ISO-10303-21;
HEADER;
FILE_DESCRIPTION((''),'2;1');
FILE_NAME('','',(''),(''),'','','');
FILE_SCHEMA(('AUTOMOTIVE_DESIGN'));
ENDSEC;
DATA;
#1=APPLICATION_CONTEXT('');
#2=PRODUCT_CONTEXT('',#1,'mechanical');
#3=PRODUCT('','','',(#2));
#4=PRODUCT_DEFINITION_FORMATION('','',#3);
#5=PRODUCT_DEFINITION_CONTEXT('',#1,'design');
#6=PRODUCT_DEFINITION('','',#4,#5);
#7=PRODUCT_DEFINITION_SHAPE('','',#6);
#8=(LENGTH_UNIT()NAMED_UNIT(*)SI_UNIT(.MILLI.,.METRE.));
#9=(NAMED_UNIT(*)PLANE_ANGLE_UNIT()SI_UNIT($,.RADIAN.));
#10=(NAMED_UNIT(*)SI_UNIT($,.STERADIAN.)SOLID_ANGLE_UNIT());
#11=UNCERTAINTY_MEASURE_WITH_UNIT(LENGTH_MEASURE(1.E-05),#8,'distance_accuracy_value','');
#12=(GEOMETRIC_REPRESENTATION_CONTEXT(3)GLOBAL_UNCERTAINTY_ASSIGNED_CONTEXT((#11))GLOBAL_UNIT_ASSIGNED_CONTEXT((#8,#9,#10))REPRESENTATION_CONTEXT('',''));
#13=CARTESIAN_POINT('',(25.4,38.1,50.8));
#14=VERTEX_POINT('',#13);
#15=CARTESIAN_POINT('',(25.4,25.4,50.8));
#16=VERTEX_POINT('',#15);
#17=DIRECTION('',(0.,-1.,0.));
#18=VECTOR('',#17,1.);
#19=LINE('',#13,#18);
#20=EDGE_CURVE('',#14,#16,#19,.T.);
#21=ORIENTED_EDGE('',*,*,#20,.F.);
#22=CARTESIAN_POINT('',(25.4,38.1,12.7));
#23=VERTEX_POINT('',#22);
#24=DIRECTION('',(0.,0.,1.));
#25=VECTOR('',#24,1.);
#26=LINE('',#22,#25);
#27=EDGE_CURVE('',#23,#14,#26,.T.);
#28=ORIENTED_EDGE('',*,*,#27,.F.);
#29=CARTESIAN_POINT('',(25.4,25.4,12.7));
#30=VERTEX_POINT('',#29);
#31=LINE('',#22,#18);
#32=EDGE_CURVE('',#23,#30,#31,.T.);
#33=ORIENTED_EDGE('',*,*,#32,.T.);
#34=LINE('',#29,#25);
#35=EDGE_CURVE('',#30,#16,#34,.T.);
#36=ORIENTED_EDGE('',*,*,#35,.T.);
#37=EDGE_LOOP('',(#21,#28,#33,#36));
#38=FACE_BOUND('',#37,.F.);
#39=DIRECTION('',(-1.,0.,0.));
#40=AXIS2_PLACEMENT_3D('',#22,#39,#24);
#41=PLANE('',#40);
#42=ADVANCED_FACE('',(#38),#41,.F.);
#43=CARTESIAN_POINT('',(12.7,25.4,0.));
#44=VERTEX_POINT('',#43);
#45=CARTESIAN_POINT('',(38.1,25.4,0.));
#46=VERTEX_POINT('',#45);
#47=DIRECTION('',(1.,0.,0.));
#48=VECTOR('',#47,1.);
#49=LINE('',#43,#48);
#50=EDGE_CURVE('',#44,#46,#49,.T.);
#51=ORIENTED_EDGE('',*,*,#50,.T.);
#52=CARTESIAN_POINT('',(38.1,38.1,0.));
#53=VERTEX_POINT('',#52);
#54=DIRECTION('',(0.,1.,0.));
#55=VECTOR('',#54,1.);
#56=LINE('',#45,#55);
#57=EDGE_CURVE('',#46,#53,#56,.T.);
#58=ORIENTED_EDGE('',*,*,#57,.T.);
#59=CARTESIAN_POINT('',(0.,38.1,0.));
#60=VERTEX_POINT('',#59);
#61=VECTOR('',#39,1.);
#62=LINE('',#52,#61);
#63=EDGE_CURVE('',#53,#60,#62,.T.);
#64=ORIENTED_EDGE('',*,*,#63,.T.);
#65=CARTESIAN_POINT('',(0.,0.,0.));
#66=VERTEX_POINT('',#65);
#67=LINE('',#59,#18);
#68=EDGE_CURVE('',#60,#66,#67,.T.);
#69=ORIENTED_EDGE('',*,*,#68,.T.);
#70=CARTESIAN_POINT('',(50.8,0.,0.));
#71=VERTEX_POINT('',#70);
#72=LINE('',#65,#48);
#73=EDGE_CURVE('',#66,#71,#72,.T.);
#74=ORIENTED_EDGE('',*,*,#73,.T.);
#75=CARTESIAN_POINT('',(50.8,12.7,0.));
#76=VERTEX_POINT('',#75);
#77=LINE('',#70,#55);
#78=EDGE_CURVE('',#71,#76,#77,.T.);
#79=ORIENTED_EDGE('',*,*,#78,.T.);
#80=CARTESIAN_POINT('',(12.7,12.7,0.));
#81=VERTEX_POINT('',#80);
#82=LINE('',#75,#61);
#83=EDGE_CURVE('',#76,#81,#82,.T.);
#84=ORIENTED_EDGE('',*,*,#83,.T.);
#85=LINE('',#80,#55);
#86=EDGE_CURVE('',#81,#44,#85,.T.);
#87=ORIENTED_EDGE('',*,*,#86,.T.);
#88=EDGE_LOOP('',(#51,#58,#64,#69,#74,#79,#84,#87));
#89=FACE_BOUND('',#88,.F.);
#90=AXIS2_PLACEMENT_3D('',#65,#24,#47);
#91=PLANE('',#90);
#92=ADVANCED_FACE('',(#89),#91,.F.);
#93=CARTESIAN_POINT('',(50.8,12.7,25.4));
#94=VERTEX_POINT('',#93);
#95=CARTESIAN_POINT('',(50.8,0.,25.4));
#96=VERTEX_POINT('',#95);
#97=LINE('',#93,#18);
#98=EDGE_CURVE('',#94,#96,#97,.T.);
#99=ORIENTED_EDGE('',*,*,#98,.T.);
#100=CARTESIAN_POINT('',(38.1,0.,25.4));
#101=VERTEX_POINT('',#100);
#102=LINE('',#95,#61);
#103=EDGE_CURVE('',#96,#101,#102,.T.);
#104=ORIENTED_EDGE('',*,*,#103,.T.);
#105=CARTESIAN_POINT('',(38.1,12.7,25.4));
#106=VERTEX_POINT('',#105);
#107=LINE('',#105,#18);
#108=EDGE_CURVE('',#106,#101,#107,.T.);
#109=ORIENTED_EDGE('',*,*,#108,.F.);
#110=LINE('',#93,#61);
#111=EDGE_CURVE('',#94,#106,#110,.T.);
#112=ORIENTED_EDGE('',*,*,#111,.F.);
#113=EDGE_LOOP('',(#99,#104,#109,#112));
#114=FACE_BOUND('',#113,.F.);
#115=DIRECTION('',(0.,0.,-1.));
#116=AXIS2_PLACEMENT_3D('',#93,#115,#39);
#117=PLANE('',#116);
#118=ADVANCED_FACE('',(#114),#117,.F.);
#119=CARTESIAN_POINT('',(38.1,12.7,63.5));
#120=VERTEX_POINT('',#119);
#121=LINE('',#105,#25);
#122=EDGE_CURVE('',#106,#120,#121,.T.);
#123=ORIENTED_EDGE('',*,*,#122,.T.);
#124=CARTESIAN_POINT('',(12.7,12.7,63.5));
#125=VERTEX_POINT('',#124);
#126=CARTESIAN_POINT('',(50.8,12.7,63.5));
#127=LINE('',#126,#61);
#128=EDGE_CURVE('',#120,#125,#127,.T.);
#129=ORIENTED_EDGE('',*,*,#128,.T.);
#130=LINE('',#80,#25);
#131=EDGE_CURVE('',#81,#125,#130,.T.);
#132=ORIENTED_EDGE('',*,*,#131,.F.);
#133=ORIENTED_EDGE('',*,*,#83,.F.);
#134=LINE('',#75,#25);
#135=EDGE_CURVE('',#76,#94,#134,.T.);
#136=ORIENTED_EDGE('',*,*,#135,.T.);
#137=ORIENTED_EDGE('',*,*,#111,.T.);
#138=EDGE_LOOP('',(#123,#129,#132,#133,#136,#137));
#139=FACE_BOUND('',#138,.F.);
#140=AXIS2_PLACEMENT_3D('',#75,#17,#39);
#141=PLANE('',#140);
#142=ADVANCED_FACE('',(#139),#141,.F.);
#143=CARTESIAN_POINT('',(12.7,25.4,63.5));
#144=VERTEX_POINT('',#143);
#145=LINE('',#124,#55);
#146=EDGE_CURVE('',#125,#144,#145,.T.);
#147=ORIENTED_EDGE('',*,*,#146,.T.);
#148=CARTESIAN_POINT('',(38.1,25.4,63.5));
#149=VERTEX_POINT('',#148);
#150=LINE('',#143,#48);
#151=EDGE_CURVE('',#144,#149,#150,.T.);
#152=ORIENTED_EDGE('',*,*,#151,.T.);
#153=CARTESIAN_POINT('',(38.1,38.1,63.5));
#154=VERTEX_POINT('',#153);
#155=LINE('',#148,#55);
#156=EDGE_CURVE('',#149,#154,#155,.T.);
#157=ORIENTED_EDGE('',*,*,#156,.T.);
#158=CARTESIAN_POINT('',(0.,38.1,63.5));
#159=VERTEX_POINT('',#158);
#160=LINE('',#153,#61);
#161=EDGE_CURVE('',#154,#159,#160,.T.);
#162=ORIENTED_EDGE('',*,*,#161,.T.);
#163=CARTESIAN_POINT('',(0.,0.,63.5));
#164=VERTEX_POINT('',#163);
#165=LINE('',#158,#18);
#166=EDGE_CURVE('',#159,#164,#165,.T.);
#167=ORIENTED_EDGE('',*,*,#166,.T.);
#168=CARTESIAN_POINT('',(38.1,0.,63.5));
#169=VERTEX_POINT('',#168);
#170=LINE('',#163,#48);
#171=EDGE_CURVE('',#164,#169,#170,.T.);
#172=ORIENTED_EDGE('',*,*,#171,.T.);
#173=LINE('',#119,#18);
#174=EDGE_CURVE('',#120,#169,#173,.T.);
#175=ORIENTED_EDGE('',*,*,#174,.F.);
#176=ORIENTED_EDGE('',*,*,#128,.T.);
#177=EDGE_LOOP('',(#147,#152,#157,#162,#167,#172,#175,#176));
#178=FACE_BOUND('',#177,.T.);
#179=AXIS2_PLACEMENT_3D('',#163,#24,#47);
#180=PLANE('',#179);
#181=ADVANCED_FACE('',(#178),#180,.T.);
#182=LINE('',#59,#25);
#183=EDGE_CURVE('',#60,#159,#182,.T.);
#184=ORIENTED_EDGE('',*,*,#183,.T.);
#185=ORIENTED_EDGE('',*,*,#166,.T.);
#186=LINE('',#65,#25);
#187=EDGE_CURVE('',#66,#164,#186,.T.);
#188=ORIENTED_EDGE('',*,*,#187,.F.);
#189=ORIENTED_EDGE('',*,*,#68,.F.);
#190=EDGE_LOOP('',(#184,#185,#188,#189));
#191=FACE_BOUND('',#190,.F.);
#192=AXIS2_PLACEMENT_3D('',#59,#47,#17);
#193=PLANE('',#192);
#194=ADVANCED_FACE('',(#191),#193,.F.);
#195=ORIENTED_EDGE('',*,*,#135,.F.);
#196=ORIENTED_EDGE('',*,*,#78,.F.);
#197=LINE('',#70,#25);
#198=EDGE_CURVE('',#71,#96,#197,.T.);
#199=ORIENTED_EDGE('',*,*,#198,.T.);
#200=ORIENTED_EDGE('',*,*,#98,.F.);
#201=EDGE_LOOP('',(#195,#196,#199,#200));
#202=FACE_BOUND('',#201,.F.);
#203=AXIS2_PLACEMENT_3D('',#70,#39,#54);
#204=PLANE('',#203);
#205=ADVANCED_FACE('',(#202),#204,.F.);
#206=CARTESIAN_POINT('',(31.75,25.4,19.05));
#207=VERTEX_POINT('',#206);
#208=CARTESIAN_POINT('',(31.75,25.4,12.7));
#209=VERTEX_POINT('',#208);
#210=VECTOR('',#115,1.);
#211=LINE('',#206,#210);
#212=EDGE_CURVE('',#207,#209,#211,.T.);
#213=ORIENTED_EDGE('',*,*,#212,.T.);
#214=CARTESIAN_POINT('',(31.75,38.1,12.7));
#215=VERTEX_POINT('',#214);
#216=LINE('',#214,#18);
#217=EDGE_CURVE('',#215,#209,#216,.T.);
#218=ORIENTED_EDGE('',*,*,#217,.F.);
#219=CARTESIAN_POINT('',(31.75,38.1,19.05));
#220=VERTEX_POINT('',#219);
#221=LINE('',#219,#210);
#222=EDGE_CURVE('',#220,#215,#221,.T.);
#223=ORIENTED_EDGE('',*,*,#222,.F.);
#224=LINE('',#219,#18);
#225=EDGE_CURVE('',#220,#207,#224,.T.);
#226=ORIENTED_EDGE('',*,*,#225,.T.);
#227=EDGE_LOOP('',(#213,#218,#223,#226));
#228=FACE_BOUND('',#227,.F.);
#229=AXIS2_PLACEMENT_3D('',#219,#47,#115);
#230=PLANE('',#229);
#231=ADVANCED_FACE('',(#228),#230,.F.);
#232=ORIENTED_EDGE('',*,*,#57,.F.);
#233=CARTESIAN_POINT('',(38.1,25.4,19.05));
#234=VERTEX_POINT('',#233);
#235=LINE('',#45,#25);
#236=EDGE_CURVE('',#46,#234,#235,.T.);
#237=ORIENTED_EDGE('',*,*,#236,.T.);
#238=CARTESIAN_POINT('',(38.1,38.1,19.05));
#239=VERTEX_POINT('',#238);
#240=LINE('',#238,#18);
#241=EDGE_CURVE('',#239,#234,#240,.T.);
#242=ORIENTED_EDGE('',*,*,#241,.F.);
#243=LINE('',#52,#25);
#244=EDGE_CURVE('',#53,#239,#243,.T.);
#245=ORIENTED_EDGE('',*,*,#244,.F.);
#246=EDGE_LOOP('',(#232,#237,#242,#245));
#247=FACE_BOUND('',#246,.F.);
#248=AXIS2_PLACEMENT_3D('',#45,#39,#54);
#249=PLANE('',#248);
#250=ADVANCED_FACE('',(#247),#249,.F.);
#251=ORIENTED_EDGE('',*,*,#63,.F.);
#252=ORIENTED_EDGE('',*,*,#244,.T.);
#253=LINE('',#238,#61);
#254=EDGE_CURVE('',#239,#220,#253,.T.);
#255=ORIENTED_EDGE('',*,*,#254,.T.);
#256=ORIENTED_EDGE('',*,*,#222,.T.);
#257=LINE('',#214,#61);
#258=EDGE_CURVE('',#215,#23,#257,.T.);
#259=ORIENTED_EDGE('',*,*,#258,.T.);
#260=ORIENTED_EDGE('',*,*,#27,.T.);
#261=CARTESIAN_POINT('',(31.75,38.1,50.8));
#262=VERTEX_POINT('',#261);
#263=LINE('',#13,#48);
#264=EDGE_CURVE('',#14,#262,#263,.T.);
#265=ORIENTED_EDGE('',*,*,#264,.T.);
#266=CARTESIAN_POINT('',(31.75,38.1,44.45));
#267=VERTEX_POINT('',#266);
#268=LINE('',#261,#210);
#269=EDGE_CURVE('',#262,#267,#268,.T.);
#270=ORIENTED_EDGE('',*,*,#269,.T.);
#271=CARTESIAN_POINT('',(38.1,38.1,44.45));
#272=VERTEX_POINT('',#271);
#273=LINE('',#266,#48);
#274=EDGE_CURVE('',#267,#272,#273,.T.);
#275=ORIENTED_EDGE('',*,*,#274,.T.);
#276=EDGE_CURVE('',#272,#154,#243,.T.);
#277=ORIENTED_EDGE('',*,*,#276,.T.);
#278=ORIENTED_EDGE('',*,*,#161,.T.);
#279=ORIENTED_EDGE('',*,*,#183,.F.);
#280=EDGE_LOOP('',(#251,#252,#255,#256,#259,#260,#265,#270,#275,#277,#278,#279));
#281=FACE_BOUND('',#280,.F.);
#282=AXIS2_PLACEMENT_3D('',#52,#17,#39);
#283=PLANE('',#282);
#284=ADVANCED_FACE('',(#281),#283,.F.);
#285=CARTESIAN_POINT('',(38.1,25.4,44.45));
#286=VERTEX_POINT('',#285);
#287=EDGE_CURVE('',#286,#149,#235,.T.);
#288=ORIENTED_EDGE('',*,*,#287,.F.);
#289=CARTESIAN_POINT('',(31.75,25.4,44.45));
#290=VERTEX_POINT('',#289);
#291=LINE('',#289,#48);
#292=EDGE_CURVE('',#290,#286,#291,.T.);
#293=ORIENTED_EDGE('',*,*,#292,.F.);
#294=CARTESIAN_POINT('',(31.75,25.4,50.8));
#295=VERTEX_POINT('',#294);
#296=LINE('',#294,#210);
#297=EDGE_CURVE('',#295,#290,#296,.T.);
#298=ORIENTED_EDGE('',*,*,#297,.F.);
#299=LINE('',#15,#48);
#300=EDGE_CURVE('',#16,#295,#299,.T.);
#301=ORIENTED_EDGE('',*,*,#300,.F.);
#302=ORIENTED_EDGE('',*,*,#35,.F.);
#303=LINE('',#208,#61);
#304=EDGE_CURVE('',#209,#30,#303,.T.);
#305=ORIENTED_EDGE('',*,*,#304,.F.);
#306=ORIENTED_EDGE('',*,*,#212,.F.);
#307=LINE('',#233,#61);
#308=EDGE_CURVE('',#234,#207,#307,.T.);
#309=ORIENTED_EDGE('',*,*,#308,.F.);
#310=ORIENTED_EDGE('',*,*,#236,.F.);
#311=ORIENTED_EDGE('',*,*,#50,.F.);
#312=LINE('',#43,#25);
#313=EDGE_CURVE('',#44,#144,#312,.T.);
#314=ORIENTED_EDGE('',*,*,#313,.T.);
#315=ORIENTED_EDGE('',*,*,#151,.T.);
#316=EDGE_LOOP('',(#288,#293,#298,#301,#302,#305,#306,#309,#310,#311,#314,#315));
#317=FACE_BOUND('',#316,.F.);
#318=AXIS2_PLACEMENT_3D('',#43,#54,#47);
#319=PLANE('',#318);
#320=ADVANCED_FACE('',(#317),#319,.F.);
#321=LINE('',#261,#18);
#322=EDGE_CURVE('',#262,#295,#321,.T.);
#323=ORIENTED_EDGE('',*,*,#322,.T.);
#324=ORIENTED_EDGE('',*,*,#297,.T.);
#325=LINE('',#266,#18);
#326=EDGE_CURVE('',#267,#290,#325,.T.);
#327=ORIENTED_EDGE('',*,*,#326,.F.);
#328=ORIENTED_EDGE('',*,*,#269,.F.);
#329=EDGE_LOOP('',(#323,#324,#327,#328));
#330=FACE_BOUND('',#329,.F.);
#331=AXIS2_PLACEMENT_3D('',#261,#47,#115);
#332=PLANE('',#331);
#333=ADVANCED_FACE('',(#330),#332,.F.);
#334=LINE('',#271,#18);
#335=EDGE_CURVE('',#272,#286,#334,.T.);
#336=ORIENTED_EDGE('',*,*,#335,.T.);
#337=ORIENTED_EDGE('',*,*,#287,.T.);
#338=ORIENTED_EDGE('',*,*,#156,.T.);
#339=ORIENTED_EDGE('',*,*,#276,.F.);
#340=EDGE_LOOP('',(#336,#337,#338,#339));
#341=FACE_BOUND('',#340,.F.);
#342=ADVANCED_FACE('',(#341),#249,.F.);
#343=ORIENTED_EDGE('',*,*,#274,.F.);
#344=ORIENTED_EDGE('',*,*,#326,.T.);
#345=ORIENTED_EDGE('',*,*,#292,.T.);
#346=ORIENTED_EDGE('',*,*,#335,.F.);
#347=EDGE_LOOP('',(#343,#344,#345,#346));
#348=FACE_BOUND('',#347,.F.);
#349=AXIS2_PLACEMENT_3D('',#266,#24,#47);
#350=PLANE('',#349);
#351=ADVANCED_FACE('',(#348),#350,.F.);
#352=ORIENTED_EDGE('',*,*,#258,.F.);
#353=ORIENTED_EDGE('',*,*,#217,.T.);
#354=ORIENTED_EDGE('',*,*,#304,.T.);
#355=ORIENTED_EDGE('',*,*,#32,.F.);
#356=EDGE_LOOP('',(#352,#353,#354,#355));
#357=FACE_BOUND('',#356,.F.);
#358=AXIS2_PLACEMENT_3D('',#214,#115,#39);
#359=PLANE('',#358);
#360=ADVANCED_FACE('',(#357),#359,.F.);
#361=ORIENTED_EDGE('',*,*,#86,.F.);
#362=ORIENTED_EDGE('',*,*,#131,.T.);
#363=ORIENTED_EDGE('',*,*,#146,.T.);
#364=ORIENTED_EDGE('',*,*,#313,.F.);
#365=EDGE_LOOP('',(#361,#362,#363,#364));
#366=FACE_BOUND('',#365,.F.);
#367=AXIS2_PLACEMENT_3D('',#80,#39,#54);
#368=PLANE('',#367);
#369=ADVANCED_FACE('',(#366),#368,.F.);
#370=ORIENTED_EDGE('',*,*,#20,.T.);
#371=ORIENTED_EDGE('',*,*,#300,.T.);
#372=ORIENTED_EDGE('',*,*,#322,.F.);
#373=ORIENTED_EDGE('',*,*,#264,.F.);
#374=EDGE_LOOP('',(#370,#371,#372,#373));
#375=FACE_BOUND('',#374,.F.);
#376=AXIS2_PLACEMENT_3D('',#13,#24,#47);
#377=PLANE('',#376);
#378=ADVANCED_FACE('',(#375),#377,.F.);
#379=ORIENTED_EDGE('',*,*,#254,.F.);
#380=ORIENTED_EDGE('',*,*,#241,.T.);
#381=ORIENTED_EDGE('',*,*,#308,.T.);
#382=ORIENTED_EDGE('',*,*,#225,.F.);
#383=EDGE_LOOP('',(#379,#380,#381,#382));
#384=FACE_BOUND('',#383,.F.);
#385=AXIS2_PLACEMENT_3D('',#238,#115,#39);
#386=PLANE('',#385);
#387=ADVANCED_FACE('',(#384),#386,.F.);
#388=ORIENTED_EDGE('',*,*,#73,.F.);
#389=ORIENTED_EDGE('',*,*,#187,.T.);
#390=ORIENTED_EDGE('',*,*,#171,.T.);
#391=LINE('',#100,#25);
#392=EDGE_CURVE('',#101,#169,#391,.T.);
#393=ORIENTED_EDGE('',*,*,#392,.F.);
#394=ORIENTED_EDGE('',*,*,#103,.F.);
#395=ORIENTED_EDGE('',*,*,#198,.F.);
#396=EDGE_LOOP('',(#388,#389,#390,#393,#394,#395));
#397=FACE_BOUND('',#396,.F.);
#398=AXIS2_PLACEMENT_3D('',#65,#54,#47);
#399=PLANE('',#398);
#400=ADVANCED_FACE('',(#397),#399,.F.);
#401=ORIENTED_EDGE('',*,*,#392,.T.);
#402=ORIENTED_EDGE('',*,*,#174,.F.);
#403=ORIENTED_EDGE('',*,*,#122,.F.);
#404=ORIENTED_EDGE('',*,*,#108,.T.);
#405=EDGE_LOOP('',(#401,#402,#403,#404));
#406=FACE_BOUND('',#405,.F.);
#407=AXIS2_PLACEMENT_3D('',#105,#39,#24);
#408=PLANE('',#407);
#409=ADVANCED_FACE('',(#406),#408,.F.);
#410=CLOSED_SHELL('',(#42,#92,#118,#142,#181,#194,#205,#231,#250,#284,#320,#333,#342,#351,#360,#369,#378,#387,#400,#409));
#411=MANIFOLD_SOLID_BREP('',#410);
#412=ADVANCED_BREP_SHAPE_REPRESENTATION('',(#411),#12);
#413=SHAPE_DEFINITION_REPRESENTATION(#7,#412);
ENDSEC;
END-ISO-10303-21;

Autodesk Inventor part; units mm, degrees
ref_plane "YZ Plane" through (0, 0, 0) normal (1, 0, 0) x (0, 1, 0)
ref_plane "XZ Plane" through (0, 0, 0) normal (0, 1, 0) x (-1, 0, 0)
ref_plane "XY Plane" through (0, 0, 0) normal (0, 0, 1) x (1, 0, 0)
sketch "Sketch1" plane through (0, 0, 0) normal (0, 0, 1) x (1, 0, 0)
  point P0 (0, 0)
sketch "Sketch2" plane through (0, 0, 0) normal (0, 0, 1) x (1, 0, 0)
  line L0 (0, 0) -> (50.8, 0)
  line L1 (50.8, 0) -> (50.8, 12.7)
  line L2 (50.8, 12.7) -> (12.7, 12.7)
  line L3 (12.7, 12.7) -> (12.7, 25.4)
  line L4 (12.7, 25.4) -> (38.1, 25.4)
  line L5 (38.1, 25.4) -> (38.1, 38.1)
  line L6 (38.1, 38.1) -> (0, 38.1)
  line L7 (0, 38.1) -> (0, 0)
extrude "Extrusion1" add sketch "Sketch2" along normal blind 63.5
sketch "Sketch3" plane through (12.7, 12.7, 0) normal (0, 1, 0) x (1, 0, 0)
  line L0 (38.1, -25.4) -> (25.4, -25.4)
  line L1 (25.4, -25.4) -> (25.4, -63.5)
  line L2 (38.1, -63.5) -> (0, -63.5) projected
  line L3 (25.4, -63.5) -> (38.1, -63.5)
  line L4 (38.1, -63.5) -> (38.1, -25.4)
  point P0 (-12.7, 0)
extrude "Extrusion2" cut sketch "Sketch3" against normal blind 12.7
sketch "Sketch4" plane through (0, 38.1, 0) normal (0, 1, 0) x (1, 0, 0)
  line L0 (38.1, 0) -> (38.1, -63.5) projected
  line L1 (38.1, -19.05) -> (31.75, -19.05)
  line L2 (31.75, -19.05) -> (31.75, -12.7)
  line L3 (31.75, -12.7) -> (25.4, -12.7)
  line L4 (25.4, -12.7) -> (25.4, -50.8)
  line L5 (25.4, -50.8) -> (31.75, -50.8)
  line L6 (31.75, -50.8) -> (31.75, -44.45)
  line L7 (31.75, -44.45) -> (38.1, -44.45)
  line L8 (38.1, -44.45) -> (38.1, -19.05)
  point P0 (0, 0)
extrude "Extrusion3" cut sketch "Sketch4" against normal blind 12.7
properties part number "P3-7"
